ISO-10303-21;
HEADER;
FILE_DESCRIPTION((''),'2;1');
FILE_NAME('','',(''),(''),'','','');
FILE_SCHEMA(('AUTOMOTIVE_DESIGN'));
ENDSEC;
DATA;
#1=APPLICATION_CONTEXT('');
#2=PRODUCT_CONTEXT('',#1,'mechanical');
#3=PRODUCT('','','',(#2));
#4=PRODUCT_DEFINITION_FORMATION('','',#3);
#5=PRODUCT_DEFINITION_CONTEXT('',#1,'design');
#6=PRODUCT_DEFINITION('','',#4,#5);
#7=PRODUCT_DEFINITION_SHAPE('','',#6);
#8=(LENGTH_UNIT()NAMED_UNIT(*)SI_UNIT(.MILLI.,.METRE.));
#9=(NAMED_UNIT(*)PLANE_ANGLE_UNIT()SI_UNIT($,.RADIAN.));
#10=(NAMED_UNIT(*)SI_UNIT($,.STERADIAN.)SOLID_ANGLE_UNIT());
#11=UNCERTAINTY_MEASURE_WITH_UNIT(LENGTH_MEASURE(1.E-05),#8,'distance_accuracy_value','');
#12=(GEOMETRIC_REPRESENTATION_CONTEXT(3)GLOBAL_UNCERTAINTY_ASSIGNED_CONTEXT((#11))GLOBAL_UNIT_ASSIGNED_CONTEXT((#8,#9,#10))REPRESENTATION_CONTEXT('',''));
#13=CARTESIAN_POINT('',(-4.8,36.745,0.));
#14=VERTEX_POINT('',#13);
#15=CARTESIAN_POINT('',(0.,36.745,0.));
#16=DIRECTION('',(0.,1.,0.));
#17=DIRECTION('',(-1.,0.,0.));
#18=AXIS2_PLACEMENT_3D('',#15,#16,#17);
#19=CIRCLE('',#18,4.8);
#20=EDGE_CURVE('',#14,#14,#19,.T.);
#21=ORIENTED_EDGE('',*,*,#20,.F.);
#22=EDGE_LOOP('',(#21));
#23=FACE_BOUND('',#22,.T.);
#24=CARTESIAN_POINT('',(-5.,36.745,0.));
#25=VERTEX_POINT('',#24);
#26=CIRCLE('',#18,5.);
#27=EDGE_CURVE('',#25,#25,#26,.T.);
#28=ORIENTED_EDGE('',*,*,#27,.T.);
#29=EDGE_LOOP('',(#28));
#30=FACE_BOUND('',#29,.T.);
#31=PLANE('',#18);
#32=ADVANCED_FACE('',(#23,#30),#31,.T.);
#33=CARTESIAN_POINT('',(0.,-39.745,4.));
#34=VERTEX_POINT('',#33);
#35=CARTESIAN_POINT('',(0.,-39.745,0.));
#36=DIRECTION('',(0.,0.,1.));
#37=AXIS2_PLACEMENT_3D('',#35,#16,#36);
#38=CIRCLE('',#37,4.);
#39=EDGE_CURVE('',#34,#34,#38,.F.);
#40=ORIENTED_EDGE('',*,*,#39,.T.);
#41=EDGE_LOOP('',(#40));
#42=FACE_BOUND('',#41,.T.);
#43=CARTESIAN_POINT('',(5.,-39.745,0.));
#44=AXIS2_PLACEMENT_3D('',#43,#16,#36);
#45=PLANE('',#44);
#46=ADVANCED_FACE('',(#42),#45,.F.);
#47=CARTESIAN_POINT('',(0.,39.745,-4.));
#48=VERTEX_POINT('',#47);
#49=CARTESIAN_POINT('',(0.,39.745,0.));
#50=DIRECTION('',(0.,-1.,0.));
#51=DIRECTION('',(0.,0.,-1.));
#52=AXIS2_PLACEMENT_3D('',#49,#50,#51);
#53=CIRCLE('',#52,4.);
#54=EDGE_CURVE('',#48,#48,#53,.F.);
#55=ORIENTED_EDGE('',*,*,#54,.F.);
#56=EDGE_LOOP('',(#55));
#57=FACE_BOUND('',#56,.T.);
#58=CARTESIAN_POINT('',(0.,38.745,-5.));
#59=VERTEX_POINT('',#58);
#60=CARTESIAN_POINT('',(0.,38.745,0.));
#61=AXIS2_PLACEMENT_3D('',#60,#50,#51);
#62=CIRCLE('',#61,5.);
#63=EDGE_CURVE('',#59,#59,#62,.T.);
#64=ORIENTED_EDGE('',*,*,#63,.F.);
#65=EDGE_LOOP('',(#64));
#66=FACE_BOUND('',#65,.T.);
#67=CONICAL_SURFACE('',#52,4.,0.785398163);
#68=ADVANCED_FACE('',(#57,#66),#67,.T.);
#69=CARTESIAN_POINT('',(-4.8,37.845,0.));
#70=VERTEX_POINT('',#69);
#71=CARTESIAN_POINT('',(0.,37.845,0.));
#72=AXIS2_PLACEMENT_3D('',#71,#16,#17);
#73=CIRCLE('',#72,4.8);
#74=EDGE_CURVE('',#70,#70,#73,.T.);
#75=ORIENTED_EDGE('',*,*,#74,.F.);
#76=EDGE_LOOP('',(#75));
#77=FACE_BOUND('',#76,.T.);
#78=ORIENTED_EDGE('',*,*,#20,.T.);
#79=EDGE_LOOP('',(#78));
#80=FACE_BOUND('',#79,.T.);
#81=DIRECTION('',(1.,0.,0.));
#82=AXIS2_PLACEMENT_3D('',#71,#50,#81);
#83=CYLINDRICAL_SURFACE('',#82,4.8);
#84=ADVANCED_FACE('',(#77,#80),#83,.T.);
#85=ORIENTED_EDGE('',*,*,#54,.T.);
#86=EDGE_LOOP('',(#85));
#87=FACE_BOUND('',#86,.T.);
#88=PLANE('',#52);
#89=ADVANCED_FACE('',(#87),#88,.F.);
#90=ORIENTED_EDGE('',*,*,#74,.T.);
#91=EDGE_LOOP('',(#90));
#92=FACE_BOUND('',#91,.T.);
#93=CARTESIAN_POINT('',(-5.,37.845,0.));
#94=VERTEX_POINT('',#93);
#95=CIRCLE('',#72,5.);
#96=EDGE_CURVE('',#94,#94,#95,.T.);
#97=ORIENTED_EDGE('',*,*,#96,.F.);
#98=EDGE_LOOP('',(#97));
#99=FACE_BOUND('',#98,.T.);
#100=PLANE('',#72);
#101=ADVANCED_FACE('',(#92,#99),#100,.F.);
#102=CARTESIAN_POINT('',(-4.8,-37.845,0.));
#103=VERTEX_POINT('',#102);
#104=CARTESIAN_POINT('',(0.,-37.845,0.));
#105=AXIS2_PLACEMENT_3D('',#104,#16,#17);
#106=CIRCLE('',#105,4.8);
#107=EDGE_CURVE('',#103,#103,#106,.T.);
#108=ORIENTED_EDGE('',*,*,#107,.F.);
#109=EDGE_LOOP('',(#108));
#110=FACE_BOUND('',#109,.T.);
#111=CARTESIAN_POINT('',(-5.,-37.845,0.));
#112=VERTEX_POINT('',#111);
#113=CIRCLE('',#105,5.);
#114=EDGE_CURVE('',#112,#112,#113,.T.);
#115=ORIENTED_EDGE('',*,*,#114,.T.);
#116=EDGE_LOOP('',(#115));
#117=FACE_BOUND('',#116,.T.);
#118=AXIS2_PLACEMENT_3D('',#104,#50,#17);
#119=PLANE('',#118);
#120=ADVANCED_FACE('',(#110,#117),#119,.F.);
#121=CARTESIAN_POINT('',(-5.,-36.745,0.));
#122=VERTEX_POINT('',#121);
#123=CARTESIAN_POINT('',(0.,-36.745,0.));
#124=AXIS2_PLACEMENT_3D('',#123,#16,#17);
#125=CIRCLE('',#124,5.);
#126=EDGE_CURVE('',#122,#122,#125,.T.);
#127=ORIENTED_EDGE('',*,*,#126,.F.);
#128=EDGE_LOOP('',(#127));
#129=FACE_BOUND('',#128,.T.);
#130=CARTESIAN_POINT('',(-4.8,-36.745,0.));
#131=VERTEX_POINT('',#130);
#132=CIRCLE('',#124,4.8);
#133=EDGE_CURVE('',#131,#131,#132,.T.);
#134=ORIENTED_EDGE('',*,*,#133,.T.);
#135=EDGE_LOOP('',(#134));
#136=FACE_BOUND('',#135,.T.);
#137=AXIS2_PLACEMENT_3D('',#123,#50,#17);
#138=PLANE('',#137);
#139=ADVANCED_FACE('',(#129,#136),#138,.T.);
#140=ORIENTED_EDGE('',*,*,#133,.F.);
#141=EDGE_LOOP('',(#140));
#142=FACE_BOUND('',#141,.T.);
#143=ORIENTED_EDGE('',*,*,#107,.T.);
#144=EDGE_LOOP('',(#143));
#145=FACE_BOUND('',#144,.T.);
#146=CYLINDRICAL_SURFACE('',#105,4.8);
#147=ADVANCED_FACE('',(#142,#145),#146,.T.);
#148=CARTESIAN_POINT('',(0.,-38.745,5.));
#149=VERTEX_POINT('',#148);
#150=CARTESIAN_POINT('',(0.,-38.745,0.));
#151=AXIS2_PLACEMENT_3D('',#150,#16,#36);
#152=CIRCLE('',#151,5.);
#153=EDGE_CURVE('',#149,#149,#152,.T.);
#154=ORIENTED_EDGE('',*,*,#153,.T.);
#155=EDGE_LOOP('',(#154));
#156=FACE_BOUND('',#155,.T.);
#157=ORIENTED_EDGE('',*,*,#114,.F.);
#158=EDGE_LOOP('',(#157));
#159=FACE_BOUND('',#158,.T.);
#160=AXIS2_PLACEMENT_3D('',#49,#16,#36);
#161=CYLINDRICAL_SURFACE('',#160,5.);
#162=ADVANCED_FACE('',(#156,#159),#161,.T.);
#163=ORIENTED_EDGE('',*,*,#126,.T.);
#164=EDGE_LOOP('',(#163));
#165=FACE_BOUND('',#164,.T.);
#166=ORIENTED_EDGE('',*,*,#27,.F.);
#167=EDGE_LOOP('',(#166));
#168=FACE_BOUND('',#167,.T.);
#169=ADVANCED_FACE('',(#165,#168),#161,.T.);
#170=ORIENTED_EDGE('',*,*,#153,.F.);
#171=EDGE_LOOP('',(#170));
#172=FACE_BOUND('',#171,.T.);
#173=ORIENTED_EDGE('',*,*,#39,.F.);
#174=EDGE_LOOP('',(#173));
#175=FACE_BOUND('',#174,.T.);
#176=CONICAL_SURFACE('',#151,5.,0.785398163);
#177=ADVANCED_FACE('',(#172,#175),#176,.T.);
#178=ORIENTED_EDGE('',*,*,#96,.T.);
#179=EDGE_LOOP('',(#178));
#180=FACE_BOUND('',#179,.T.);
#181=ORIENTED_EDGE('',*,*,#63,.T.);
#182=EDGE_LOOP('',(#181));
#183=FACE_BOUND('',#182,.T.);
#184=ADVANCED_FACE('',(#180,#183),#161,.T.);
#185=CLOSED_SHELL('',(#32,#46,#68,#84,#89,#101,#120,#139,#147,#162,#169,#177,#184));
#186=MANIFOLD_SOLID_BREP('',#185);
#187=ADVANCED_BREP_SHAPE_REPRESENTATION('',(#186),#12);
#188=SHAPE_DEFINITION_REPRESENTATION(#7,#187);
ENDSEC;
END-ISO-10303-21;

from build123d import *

# Parameters (mm, degrees)
CHAMFER_1_SIZE      = 1
CUT_EXTRUDE_START   = -3
SKETCH_2_R          = 5
SKETCH_2_R_2        = 4.8
CUT_EXTRUDE_1_DEPTH = 1.1


with BuildPart() as part:
    # 草图1 → 旋转1 (revolve)
    with BuildSketch(Plane.XY, mode=Mode.PRIVATE) as revolve_1_sk:
        Polygon((0, 39.745), (5, 39.745), (5, 29.00117383), (5, -29.00117383), (5, -39.745), (0, -39.745), align=None)
    revolve(revolve_1_sk.sketch.rotate(Axis((0, 39.745, 0), (0, -1, 0)), 90), axis=Axis((0, 39.745, 0), (0, -1, 0)))

    # 倒角1
    chamfer_1_edges = [part.edges().sort_by_distance(p)[0] for p in [
        (0, -39.745, -5),
        (0, 39.745, -5),
    ]]
    chamfer(chamfer_1_edges, length=CHAMFER_1_SIZE)

    # 草图2 → 切除-拉伸1 (cut)
    with BuildSketch(Plane(origin=(0, 39.745, 0), x_dir=(1, 0, 0), z_dir=(0, 1, 0)).offset(CUT_EXTRUDE_START)):
        with Locations(Location((0, 0, 0), (0, 0, 180))):
            Circle(SKETCH_2_R)
        with Locations(Location((0, 0, 0), (0, 0, 180))):
            Circle(SKETCH_2_R_2, mode=Mode.SUBTRACT)
    cut_extrude_1 = extrude(amount=CUT_EXTRUDE_1_DEPTH, mode=Mode.SUBTRACT)

    # 镜向1: 切除-拉伸1 across plane
    add(cut_extrude_1.mirror(Plane.ZX), mode=Mode.SUBTRACT)


solid = part.part
